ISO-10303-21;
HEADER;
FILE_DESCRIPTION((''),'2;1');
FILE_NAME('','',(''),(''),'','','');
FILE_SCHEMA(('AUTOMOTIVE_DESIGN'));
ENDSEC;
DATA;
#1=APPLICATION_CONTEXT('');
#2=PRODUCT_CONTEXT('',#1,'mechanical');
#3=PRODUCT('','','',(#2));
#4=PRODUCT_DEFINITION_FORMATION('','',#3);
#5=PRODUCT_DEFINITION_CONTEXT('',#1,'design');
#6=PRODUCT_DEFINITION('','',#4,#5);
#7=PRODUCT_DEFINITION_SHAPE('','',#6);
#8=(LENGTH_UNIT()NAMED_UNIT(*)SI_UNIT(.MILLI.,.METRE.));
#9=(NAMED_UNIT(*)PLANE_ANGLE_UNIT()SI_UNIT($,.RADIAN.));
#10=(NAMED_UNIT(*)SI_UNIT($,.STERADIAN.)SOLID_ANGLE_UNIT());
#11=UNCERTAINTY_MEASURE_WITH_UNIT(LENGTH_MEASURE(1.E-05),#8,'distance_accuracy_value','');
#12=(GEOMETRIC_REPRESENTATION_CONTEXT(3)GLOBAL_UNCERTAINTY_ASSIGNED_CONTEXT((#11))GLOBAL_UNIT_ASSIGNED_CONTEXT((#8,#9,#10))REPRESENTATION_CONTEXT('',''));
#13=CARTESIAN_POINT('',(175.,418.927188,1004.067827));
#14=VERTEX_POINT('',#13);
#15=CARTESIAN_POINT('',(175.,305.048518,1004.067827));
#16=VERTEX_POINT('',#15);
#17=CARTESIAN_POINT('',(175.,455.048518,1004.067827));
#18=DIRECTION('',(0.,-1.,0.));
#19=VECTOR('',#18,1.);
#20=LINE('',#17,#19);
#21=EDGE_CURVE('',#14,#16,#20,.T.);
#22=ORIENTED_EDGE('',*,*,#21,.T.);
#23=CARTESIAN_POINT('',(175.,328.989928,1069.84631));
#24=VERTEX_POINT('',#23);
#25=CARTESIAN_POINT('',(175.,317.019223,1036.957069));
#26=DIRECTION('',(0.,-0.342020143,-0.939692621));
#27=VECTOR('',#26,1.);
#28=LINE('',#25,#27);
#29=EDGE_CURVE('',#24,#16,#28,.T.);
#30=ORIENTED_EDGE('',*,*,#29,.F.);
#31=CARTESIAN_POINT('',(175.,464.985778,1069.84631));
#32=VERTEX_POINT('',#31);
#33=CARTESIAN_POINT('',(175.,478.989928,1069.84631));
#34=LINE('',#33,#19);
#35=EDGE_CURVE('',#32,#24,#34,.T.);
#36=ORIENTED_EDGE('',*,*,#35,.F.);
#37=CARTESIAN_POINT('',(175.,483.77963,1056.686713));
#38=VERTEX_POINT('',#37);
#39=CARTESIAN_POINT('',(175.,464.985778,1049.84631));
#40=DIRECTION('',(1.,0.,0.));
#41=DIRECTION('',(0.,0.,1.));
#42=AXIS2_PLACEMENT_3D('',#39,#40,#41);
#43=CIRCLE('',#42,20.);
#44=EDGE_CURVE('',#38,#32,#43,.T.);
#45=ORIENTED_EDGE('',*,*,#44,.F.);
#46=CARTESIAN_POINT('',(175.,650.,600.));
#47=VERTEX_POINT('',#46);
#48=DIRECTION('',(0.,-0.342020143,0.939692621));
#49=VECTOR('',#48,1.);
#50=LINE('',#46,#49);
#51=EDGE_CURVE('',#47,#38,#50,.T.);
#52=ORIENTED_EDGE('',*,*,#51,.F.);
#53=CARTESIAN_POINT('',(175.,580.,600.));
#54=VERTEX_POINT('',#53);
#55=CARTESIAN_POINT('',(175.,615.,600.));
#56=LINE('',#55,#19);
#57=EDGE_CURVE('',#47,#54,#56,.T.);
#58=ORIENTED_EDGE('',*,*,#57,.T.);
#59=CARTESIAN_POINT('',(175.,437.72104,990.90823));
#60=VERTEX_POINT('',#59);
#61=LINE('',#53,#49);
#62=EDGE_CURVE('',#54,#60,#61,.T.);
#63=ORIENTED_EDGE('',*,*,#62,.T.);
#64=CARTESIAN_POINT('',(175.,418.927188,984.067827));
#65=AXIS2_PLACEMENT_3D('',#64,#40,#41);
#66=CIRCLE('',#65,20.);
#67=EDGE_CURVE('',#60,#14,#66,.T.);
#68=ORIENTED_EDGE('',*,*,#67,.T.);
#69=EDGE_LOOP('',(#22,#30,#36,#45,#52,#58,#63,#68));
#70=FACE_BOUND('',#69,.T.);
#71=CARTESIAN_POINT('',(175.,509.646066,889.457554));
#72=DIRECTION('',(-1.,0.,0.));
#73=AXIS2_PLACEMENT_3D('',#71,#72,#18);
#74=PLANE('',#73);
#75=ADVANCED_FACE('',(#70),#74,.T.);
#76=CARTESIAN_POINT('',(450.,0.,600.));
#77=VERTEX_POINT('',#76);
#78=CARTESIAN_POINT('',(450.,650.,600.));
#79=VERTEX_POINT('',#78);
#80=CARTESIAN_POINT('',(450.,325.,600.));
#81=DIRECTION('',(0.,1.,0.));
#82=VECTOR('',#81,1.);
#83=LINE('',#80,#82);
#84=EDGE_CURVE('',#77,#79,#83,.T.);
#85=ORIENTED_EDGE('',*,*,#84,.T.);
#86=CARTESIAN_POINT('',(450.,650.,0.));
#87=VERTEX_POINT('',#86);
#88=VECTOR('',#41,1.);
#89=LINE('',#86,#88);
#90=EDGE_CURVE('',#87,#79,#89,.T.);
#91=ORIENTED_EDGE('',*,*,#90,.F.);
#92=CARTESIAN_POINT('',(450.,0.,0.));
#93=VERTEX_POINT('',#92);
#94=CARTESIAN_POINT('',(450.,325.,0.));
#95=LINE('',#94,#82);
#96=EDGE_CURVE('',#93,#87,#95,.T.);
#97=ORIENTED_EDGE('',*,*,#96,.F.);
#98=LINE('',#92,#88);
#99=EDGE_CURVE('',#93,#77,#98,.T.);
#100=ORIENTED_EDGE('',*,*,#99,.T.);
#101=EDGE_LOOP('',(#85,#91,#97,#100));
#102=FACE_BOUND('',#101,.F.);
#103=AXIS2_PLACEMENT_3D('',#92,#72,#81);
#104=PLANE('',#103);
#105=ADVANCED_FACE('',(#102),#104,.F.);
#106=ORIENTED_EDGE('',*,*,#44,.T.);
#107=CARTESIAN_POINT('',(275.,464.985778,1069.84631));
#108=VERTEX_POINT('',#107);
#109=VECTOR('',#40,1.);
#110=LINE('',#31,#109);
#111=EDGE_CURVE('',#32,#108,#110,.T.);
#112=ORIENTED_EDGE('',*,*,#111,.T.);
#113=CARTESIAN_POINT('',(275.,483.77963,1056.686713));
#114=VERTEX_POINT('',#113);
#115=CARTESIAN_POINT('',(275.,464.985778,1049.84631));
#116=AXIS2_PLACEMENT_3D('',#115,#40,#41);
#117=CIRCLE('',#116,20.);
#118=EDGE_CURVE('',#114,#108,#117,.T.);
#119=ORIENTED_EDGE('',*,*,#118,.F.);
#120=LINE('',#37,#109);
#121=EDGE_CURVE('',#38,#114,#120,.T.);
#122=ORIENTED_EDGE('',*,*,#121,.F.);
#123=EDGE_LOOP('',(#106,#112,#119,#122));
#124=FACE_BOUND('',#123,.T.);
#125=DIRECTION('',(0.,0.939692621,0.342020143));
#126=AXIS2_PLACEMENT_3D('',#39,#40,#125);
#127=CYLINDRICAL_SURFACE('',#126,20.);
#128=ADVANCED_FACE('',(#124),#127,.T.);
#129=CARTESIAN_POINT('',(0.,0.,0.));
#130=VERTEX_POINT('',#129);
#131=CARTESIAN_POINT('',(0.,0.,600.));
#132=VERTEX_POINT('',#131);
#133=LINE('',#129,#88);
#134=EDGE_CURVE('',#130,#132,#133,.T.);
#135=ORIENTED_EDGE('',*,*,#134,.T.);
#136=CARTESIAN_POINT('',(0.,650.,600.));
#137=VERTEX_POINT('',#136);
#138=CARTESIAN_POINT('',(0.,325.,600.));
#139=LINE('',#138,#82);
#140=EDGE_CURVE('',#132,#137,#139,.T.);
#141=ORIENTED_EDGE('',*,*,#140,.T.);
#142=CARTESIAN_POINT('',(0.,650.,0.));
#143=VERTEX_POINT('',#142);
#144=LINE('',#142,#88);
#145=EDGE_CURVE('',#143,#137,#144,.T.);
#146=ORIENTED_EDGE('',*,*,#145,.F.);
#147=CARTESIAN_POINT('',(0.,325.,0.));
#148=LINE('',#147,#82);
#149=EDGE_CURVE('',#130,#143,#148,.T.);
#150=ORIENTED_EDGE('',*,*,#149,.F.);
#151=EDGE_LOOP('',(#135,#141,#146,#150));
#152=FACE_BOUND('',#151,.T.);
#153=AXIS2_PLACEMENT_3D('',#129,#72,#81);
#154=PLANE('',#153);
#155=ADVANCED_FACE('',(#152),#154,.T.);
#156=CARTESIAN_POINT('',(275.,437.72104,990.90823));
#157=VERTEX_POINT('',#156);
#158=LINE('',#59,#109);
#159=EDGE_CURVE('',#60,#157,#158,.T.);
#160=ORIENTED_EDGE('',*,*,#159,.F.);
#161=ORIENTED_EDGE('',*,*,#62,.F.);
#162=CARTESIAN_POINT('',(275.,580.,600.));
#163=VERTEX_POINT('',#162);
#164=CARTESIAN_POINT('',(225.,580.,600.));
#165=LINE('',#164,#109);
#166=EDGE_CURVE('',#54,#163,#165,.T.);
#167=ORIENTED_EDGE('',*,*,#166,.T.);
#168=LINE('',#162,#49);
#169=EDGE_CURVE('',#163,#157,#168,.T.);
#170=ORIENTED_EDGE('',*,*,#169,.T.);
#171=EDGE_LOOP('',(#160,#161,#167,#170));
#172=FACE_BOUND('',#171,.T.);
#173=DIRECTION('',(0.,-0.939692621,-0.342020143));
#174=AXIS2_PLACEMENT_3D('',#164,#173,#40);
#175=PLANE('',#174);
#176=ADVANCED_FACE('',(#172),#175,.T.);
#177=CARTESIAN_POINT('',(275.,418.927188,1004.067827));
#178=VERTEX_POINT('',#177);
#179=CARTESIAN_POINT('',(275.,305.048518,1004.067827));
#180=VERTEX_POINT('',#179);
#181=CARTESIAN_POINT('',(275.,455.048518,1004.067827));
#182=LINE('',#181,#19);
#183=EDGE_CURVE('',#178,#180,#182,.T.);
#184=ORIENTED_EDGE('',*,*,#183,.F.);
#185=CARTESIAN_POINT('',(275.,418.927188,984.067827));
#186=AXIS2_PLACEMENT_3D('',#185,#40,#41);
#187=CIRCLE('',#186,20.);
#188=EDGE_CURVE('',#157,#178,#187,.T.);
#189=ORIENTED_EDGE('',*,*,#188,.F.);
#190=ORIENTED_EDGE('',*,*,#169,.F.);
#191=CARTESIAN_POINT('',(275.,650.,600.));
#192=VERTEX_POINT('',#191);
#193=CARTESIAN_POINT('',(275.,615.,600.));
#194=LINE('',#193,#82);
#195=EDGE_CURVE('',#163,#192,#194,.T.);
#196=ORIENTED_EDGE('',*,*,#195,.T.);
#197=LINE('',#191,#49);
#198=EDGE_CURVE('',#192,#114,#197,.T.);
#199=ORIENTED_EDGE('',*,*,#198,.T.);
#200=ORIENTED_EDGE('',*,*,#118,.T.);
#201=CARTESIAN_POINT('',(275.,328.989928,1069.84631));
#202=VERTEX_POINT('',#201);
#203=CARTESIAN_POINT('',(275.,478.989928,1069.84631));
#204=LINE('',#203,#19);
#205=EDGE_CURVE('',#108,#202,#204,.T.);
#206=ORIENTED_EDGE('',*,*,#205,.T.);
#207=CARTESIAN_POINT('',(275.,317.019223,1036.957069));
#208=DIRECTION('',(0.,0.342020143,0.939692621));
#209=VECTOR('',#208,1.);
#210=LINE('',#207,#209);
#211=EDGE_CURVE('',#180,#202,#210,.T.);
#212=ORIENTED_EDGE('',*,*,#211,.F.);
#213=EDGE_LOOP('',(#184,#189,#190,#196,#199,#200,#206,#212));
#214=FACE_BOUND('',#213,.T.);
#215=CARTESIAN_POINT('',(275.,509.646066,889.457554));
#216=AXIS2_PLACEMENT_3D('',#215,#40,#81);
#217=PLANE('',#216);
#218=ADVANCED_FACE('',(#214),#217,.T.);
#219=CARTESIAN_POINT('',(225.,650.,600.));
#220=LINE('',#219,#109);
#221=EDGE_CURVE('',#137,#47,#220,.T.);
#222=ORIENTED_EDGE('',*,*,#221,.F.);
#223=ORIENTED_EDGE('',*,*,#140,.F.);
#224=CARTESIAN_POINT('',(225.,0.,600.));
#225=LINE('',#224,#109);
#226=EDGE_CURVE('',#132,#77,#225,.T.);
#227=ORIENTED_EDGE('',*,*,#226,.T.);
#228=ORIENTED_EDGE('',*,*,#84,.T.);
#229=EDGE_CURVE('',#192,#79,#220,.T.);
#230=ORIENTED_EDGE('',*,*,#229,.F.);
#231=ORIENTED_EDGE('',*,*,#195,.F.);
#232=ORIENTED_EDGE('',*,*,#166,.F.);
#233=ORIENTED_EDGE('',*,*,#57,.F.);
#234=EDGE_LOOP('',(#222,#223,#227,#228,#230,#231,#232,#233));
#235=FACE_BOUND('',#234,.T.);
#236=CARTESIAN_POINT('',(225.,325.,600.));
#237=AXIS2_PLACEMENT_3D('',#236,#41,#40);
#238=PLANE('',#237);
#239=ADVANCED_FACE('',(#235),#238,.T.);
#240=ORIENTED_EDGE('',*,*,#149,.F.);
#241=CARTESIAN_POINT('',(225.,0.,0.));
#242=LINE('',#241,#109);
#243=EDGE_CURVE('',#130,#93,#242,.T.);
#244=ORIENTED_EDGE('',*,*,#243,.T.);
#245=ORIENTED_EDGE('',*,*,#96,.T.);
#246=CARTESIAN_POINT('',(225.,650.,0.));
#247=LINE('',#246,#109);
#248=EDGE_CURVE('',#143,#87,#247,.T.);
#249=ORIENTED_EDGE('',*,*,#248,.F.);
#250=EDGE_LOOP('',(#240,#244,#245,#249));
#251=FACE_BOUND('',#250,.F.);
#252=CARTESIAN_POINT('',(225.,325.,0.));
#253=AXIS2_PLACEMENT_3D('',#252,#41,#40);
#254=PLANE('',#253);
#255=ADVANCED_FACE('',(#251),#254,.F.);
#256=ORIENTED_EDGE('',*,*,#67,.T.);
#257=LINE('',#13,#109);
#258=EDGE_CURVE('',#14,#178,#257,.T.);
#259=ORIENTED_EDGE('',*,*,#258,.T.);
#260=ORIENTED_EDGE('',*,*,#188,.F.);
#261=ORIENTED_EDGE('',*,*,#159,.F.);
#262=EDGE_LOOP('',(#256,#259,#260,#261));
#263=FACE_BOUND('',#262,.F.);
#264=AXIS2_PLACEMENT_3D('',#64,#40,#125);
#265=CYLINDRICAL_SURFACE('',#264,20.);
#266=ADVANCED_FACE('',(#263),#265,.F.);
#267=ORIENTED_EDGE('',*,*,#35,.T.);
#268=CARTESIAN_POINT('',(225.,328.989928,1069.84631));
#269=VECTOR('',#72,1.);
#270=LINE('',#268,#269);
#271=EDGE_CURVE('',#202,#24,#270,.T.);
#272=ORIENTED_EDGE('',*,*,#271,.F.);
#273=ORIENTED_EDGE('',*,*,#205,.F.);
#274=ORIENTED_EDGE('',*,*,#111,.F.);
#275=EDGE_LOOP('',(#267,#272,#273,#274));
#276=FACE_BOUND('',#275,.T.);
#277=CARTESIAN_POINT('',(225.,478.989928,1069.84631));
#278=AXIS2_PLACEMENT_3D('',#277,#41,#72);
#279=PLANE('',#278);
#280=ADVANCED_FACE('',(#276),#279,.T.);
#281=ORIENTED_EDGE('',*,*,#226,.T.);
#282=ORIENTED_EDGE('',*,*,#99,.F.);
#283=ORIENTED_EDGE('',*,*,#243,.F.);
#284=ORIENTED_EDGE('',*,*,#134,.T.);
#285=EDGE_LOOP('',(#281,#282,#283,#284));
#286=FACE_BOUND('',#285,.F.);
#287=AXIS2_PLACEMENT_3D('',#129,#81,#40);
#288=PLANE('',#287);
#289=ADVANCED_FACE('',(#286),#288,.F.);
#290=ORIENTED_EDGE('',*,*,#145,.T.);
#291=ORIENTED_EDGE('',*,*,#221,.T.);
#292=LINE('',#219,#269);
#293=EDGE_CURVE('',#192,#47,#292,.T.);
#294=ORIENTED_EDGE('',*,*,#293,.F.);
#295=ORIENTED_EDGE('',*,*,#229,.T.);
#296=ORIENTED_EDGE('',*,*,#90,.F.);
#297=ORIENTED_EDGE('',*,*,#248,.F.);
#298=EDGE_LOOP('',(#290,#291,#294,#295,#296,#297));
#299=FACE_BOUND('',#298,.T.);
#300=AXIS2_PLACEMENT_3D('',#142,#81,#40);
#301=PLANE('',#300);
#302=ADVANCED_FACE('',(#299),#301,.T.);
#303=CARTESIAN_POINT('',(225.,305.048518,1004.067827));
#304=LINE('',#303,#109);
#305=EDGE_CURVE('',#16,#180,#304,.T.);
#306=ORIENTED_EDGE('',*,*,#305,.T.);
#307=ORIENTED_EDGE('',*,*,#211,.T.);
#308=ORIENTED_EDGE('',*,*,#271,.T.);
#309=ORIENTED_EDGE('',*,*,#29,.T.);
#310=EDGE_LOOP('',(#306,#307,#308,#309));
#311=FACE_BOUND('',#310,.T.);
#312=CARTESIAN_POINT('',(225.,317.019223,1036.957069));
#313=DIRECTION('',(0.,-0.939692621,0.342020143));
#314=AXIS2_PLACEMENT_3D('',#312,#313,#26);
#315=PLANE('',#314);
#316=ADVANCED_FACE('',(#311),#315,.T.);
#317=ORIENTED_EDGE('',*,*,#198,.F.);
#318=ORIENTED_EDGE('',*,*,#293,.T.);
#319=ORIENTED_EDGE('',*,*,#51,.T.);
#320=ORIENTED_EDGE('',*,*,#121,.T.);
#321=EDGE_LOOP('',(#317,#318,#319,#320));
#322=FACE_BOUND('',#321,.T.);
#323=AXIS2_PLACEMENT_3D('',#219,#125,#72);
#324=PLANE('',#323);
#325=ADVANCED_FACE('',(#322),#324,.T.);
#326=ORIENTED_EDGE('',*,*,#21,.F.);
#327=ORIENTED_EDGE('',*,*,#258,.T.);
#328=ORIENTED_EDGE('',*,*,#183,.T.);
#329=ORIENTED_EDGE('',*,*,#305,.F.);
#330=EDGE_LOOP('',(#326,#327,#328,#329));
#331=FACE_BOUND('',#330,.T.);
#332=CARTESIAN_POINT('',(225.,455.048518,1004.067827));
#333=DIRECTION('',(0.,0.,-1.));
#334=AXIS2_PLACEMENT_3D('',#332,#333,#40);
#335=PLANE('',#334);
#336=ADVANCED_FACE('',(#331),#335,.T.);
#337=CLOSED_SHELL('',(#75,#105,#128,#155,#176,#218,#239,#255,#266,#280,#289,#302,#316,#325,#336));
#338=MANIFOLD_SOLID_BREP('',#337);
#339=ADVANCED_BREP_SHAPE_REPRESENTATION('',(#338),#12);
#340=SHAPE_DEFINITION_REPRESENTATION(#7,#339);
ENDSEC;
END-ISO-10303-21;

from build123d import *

# Parameters (mm, degrees)
F0_W     = 450
F0_H     = 650
F1_DEPTH = 600
F2_W     = 100
F2_H     = 70
F6_R     = 20


with BuildPart() as f1:
    # F0 (on Top) → F1 (new body)
    with BuildSketch(Plane.XY):
        with Locations((225, 325)):
            Rectangle(F0_W, F0_H)
    extrude(amount=F1_DEPTH)

    # F5: sweep along a path in F4
    with BuildLine(Plane.YZ.offset(225)) as f5_path:
        Line((650, 600), (478.9899283372, 1069.846310393))
        Line((478.9899283372, 1069.846310393), (328.9899283372, 1069.846310393))
    # F2 (on face) → F5 (sweep)
    with BuildSketch(Plane.XY.offset(600)):
        with Locations((225, 615)):
            Rectangle(F2_W, F2_H)
    sweep(path=f5_path.line, transition=Transition.RIGHT)

    # F6
    f6_edges = [f1.edges().sort_by_distance(p)[0] for p in [
        (225, 478.989928, 1069.84631),
        (225, 432.931338, 1004.067827),
    ]]
    fillet(f6_edges, radius=F6_R)


solid = f1.part
